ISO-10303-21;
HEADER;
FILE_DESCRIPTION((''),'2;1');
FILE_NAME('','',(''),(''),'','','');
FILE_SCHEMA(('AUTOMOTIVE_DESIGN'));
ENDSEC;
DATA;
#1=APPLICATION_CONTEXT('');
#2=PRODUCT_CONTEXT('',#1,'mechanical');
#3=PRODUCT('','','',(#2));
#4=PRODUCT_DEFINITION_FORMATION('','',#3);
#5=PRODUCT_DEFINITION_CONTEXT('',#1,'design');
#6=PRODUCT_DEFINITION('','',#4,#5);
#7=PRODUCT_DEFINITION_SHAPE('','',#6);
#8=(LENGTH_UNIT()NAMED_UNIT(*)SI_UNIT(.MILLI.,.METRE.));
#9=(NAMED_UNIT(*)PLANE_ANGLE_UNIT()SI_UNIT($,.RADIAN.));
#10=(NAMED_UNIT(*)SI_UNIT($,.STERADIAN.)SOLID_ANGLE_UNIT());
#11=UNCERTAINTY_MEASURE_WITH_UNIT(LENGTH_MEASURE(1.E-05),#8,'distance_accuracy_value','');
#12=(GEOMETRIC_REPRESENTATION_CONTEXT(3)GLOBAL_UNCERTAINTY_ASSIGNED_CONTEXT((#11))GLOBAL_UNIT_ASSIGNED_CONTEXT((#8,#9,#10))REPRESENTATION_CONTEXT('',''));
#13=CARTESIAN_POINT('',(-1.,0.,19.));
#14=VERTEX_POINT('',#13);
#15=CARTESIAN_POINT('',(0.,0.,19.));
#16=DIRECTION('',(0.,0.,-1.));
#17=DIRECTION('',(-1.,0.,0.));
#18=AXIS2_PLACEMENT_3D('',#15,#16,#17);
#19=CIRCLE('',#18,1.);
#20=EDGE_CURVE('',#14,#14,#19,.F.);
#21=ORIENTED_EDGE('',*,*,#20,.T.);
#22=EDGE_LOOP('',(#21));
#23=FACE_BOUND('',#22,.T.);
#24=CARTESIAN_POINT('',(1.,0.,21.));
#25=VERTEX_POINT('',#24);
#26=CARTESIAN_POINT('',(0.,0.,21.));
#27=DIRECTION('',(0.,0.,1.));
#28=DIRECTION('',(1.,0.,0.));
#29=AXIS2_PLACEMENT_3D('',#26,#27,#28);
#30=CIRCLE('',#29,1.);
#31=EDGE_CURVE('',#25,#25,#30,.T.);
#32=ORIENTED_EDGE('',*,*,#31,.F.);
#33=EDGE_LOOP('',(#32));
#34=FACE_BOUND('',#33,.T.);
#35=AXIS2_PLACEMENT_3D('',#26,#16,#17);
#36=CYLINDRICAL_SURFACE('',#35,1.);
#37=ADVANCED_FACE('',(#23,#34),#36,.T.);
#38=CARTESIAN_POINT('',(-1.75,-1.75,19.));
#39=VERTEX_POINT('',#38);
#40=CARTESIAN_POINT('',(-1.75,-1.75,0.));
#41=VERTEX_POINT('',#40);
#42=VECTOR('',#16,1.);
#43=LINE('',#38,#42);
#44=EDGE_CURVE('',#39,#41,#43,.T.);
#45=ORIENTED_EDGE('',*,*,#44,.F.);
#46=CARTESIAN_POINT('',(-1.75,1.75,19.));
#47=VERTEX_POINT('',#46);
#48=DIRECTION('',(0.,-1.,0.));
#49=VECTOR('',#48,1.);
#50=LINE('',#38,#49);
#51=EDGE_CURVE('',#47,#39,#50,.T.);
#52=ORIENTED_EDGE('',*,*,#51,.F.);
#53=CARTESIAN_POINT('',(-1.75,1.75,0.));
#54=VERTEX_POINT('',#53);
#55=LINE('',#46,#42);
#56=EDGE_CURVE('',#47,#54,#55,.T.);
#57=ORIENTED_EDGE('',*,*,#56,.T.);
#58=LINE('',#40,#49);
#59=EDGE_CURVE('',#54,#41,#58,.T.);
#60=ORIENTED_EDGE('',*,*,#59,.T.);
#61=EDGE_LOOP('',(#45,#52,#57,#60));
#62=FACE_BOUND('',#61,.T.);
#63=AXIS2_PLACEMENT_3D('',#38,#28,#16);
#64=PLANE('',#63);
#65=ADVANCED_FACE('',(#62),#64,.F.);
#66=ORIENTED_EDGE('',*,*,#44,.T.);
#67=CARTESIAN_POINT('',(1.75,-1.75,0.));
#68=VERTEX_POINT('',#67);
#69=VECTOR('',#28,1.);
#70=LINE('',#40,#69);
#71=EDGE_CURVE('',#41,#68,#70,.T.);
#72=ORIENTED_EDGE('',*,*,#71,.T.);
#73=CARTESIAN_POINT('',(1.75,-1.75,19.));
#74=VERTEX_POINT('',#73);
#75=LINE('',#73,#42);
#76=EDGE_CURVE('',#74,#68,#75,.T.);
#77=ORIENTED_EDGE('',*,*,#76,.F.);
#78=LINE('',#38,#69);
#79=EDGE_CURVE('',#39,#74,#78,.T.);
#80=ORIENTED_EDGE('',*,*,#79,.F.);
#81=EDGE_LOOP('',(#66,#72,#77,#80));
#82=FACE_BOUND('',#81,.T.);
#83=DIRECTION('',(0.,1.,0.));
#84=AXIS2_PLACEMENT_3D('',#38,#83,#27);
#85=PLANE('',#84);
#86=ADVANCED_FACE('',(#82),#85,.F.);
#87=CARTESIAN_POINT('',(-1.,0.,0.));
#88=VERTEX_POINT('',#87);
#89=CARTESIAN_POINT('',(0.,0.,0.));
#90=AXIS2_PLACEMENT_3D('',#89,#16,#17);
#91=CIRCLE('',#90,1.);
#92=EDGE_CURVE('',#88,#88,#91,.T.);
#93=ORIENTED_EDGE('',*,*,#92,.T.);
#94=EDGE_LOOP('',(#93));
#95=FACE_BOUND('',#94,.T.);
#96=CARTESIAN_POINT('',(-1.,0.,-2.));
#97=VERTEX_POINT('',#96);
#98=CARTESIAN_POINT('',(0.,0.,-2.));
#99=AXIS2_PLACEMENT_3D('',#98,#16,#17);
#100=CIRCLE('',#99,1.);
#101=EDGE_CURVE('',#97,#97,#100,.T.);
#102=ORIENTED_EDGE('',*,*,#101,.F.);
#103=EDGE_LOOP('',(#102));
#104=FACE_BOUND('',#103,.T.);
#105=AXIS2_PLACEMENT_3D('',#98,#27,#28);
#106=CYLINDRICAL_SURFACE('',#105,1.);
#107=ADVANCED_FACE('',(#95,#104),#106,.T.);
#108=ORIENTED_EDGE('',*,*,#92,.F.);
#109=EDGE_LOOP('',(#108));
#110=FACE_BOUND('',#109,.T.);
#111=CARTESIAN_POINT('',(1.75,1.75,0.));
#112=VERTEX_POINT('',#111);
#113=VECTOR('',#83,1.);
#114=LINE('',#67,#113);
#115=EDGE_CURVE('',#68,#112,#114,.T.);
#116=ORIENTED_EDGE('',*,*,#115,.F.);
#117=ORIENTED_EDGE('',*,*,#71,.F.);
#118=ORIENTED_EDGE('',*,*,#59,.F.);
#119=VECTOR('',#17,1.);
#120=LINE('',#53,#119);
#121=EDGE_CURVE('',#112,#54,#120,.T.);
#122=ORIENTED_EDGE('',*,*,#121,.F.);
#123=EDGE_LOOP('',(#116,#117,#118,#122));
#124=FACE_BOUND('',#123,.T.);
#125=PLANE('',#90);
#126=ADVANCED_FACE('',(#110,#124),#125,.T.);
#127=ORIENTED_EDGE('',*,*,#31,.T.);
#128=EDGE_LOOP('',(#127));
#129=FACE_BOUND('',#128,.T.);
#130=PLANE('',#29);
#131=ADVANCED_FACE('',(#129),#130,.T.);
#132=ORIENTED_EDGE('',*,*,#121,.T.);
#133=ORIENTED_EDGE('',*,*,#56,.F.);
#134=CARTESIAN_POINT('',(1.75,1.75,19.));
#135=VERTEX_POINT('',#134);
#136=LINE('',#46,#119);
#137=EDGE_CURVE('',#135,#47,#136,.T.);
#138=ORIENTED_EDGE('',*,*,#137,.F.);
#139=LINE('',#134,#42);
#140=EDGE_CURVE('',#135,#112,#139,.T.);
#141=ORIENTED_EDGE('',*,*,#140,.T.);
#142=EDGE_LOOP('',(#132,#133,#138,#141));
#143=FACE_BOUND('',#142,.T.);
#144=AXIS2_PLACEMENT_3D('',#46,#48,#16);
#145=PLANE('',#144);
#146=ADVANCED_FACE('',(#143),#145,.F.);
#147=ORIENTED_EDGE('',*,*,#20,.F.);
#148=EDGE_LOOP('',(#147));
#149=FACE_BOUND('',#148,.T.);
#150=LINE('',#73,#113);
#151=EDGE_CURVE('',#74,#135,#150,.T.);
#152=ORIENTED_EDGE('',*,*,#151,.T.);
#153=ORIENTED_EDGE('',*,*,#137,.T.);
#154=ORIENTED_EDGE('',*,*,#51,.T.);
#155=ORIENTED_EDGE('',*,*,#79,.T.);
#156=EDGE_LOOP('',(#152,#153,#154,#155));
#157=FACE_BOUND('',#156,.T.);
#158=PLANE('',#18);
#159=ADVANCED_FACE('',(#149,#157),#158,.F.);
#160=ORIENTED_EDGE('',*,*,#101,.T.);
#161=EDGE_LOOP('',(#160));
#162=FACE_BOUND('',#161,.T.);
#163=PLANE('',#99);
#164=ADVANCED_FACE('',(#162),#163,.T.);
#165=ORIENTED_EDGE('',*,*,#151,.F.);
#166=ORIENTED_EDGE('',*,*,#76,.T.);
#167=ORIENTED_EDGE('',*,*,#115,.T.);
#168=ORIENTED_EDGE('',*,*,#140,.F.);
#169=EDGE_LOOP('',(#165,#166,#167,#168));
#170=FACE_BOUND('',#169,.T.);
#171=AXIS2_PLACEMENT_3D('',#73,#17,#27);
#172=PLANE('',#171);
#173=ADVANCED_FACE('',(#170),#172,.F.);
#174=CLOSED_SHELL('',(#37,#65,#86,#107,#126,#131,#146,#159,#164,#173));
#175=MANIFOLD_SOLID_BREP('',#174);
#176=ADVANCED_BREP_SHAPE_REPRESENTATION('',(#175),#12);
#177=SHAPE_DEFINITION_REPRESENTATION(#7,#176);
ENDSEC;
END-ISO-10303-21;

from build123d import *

# Parameters (mm, degrees)
CROQUIS1_W              = 3.5
CROQUIS1_H              = 3.5
SALIENTE_EXTRUIR1_DEPTH = 19
CROQUIS2_R              = 1
SALIENTE_EXTRUIR2_DEPTH = 2
SALIENTE_EXTRUIR3_START = 2
CROQUIS3_R              = 1
SALIENTE_EXTRUIR3_DEPTH = 2


with BuildPart() as part:
    # Croquis1 → Saliente-Extruir1 (new body)
    with BuildSketch(Plane.XY):
        Rectangle(CROQUIS1_W, CROQUIS1_H)
    extrude(amount=SALIENTE_EXTRUIR1_DEPTH)

    # Croquis2 → Saliente-Extruir2 (add)
    with BuildSketch(Plane.XY.offset(19)):
        with Locations(Location((0, 0, 0), (0, 0, 180))):
            Circle(CROQUIS2_R)
    extrude(amount=SALIENTE_EXTRUIR2_DEPTH)

    # Croquis3 → Saliente-Extruir3 (add)
    with BuildSketch(Plane(origin=(0, 0, 0), x_dir=(-1, 0, 0), z_dir=(0, 0, -1)).offset(SALIENTE_EXTRUIR3_START)):
        Circle(CROQUIS3_R)
    extrude(amount=-SALIENTE_EXTRUIR3_DEPTH)


solid = part.part
